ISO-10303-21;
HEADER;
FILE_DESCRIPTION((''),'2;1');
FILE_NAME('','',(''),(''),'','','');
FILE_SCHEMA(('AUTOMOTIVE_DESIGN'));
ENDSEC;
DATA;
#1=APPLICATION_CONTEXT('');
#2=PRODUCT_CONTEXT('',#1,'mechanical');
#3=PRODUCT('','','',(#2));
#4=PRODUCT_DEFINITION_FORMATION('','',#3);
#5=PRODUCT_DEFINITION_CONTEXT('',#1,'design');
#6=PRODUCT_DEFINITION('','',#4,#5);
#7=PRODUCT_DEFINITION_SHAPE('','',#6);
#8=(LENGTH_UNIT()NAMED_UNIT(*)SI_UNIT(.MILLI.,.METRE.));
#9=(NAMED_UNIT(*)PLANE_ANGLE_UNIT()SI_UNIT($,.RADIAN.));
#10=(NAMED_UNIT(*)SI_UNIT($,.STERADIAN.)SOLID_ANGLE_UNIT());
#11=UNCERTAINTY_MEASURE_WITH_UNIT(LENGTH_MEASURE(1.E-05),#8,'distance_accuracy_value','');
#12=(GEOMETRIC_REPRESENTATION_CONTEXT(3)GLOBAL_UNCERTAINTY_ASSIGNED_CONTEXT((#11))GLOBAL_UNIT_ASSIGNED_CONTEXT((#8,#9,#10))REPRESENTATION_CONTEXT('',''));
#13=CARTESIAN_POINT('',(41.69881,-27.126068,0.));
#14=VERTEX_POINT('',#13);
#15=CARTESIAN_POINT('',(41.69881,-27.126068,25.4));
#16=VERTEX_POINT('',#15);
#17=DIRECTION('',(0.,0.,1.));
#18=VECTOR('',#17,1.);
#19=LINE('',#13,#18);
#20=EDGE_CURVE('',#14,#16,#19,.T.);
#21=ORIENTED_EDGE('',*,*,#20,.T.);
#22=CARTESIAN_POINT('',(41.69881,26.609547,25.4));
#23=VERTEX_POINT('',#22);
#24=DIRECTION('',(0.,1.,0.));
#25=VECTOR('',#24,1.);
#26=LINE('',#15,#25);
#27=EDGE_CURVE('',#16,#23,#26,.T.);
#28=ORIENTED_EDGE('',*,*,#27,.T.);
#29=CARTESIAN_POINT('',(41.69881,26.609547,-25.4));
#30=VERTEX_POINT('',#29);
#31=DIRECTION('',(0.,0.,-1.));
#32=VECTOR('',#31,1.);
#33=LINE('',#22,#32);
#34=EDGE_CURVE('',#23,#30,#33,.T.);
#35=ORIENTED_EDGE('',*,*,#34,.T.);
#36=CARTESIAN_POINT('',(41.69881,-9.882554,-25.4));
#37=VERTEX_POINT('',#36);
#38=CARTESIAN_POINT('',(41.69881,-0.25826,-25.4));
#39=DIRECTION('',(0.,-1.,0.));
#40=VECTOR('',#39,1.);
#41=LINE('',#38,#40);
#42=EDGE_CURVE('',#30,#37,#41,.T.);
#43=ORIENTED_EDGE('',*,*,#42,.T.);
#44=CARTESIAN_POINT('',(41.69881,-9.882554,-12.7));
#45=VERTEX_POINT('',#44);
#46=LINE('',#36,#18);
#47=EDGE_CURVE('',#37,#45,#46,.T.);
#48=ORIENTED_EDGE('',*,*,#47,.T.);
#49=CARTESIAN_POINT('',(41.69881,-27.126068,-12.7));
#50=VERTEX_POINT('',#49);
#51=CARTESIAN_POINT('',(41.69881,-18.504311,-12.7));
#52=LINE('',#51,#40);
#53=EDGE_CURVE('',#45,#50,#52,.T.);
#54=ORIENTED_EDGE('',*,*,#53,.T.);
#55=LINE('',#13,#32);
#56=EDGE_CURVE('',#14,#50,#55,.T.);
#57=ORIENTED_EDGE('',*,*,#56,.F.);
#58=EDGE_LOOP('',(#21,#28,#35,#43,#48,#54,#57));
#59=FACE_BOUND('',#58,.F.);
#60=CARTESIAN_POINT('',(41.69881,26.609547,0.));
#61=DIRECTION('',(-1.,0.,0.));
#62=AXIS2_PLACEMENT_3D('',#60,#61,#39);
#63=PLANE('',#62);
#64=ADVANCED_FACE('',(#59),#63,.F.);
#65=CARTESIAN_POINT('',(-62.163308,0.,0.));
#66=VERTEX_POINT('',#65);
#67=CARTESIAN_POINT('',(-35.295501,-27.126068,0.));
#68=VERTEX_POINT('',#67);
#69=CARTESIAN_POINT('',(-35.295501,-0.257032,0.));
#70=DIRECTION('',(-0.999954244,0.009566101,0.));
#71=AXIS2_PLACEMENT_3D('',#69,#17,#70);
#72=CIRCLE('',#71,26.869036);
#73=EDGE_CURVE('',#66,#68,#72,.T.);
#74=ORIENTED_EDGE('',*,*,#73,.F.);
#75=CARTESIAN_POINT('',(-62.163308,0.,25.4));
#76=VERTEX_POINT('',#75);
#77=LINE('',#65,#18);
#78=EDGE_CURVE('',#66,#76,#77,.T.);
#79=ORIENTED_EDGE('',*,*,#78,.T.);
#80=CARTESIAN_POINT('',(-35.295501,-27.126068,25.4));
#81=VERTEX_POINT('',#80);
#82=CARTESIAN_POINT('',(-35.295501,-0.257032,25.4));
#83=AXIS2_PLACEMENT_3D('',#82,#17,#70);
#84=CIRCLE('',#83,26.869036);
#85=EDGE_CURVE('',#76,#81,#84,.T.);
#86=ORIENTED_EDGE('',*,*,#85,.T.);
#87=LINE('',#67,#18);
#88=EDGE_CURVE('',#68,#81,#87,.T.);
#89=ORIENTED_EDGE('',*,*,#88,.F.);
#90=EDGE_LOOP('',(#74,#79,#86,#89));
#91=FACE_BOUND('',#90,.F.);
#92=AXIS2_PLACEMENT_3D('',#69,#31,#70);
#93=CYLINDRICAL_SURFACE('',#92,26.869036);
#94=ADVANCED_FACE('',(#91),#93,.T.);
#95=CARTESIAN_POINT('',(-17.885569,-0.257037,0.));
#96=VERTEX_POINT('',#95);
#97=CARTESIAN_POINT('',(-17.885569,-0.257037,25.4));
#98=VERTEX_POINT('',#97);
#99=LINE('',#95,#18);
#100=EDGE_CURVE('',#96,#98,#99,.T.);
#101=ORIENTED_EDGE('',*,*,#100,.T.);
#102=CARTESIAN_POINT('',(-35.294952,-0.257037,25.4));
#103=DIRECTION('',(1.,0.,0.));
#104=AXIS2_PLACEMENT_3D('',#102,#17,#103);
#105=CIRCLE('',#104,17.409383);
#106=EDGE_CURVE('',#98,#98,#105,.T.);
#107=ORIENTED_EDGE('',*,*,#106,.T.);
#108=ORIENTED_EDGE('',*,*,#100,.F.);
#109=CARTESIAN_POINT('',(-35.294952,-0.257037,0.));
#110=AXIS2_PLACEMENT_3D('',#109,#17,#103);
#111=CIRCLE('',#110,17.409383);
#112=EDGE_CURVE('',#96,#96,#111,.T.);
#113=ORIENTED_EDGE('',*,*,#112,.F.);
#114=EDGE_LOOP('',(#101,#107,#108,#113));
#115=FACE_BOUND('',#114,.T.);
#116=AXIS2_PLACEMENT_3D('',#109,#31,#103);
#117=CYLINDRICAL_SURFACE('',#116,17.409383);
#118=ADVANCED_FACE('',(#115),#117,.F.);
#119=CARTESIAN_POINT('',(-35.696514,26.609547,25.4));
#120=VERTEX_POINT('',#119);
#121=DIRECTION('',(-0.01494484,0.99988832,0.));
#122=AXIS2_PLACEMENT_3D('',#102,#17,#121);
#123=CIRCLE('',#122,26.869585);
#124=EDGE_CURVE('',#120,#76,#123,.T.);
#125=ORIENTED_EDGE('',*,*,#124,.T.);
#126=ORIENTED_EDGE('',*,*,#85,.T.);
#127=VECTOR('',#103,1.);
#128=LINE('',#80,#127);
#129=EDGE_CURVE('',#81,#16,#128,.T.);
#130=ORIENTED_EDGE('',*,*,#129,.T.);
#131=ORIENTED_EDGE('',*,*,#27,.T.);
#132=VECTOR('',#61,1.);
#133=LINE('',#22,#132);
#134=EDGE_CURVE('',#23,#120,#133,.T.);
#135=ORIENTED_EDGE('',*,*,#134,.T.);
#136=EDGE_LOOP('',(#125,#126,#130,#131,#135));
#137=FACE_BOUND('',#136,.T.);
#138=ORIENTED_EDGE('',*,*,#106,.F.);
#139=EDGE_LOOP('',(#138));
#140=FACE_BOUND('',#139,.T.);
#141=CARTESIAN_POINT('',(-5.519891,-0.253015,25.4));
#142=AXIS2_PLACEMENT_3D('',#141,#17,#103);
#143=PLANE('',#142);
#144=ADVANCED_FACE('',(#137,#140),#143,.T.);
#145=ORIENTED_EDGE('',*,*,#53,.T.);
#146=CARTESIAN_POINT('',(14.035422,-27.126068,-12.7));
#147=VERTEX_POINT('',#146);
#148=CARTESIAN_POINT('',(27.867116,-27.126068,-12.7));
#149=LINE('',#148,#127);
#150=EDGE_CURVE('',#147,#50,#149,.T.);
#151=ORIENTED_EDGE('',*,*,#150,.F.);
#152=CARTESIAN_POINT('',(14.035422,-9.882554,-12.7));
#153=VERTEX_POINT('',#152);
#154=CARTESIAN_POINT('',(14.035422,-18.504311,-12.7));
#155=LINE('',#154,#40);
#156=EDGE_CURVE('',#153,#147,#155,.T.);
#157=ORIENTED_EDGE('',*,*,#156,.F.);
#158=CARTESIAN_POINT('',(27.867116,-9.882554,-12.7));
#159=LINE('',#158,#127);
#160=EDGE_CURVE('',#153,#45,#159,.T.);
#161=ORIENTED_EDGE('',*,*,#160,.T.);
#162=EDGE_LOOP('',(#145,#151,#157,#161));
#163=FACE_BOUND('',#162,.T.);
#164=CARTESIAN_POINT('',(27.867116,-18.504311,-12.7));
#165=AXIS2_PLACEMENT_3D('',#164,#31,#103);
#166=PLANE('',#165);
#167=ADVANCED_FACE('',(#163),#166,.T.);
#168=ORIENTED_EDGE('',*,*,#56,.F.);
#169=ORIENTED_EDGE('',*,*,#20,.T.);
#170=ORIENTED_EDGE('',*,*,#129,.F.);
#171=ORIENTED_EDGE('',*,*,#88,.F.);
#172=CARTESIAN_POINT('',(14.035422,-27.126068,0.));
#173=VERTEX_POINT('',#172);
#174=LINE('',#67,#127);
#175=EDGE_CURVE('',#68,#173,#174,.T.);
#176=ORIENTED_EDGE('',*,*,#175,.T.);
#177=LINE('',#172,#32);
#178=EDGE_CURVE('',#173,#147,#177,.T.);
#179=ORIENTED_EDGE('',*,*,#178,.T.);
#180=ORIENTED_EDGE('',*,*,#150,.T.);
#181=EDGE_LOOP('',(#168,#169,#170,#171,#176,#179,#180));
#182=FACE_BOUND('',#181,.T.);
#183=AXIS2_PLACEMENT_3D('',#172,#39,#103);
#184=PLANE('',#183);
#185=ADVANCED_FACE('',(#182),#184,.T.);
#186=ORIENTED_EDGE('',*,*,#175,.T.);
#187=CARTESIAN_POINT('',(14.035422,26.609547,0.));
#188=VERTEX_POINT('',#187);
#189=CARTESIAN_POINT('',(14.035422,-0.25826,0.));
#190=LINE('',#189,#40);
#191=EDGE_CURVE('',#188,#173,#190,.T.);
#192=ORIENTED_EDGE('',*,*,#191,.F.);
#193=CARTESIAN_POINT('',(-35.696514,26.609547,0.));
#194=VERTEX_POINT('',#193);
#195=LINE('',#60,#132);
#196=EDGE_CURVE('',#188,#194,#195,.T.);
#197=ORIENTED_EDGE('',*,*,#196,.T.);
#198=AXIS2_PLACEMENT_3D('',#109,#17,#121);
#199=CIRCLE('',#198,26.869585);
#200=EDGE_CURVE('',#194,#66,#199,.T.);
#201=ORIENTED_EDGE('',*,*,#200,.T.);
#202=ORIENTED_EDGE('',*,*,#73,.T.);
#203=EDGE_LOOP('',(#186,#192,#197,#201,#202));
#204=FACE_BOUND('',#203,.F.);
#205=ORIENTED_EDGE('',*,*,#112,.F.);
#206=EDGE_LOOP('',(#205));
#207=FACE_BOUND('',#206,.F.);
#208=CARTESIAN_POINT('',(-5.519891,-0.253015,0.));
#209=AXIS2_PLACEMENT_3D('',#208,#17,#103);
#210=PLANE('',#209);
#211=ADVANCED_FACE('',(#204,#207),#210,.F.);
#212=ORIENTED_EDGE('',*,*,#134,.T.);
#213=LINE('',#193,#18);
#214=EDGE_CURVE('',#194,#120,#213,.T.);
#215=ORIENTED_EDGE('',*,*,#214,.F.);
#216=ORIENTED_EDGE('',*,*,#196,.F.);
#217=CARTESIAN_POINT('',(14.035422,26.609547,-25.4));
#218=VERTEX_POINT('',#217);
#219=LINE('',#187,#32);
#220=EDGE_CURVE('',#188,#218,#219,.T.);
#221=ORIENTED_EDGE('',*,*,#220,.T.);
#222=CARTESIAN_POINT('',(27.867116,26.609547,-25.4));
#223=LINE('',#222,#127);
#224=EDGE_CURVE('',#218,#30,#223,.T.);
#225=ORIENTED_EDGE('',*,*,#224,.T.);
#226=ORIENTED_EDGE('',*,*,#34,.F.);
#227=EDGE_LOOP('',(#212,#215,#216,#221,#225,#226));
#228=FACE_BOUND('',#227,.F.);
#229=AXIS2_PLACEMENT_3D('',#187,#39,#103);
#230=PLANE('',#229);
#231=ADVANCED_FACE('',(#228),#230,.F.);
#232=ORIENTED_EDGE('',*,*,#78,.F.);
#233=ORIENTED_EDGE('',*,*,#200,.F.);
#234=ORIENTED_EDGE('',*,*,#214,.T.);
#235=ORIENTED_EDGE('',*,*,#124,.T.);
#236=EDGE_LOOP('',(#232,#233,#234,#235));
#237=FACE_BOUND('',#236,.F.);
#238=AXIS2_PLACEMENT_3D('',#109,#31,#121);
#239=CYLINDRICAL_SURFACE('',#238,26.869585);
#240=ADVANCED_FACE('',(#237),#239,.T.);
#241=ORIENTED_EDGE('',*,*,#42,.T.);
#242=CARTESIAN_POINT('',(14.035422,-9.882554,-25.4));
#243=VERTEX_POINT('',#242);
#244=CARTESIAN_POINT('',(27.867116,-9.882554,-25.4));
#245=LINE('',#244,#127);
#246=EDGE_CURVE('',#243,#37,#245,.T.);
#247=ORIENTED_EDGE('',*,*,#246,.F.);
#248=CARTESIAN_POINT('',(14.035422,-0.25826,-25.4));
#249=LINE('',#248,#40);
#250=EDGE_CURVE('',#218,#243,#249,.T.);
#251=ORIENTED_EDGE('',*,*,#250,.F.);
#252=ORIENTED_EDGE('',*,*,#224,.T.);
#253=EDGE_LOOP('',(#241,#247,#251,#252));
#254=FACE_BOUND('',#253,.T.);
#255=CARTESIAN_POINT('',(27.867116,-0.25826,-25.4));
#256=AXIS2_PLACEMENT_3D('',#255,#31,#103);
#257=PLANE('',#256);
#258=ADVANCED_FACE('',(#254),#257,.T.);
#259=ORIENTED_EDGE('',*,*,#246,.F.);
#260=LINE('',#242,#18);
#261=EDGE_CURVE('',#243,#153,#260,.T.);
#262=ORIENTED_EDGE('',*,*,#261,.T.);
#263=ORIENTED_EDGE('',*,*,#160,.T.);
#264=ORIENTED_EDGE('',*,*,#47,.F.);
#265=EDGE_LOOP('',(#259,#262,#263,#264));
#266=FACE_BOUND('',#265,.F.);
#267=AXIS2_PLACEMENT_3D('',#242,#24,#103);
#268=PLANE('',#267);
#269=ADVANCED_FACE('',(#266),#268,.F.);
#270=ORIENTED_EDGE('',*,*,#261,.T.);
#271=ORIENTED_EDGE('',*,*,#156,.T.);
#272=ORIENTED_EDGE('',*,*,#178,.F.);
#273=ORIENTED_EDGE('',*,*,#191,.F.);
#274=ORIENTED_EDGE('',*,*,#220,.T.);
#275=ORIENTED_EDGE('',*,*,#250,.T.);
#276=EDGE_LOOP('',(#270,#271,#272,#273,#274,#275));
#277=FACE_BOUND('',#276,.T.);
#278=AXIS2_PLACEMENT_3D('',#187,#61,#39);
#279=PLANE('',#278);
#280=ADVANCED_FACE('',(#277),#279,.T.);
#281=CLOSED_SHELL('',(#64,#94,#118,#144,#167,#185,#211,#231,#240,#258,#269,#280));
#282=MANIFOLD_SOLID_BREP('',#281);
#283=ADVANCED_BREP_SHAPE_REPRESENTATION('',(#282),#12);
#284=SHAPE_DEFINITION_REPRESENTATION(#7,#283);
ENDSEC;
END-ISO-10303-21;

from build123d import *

# Parameters (mm, degrees)
F0_R     = 17.4093828925
F1_DEPTH = 25.4
F2_W     = 27.6633873582
F2_H     = 53.7356156856
F3_DEPTH = 25.4
F4_W     = 27.6633873582
F4_H     = 17.2435138375
F5_DEPTH = 12.7


with BuildPart() as f1:
    # F0 (on Top) → F1 (new body)
    with BuildSketch(Plane.XY):
        with BuildLine():
            ThreePointArc((-62.1633082628, 0), (-54.3854373577, -19.1652168316), (-35.2955013514, -27.1260682493))
            Line((-35.2955013514, -27.1260682493), (41.6988097131, -27.1260682493))
            Line((41.6988097131, -27.1260682493), (41.6988097131, 26.6095474362))
            Line((41.6988097131, 26.6095474362), (-35.6965139508, 26.6095474362))
            ThreePointArc((-35.6965139508, 26.6095474362), (-54.3456505922, 18.6914592057), (-62.1633082628, 0))
        make_face()
        with Locations((-35.2949523061, -0.2570371656)):
            Circle(F0_R, mode=Mode.SUBTRACT)
    extrude(amount=F1_DEPTH)

    # F2 (on face) → F3 (join)
    with BuildSketch(Plane(origin=(0, 0, 0), x_dir=(1, 0, 0), z_dir=(0, 0, -1))):
        with Locations((27.867116034, 0.2582604066)):
            Rectangle(F2_W, F2_H)
    extrude(amount=F3_DEPTH)

    # F4 (on face) → F5 (cut)
    with BuildSketch(Plane(origin=(0, 0, -25.4), x_dir=(1, 0, 0), z_dir=(0, 0, -1))):
        with Locations((27.867116034, 18.5043113306)):
            Rectangle(F4_W, F4_H)
    extrude(amount=-F5_DEPTH, mode=Mode.SUBTRACT)


solid = f1.part
